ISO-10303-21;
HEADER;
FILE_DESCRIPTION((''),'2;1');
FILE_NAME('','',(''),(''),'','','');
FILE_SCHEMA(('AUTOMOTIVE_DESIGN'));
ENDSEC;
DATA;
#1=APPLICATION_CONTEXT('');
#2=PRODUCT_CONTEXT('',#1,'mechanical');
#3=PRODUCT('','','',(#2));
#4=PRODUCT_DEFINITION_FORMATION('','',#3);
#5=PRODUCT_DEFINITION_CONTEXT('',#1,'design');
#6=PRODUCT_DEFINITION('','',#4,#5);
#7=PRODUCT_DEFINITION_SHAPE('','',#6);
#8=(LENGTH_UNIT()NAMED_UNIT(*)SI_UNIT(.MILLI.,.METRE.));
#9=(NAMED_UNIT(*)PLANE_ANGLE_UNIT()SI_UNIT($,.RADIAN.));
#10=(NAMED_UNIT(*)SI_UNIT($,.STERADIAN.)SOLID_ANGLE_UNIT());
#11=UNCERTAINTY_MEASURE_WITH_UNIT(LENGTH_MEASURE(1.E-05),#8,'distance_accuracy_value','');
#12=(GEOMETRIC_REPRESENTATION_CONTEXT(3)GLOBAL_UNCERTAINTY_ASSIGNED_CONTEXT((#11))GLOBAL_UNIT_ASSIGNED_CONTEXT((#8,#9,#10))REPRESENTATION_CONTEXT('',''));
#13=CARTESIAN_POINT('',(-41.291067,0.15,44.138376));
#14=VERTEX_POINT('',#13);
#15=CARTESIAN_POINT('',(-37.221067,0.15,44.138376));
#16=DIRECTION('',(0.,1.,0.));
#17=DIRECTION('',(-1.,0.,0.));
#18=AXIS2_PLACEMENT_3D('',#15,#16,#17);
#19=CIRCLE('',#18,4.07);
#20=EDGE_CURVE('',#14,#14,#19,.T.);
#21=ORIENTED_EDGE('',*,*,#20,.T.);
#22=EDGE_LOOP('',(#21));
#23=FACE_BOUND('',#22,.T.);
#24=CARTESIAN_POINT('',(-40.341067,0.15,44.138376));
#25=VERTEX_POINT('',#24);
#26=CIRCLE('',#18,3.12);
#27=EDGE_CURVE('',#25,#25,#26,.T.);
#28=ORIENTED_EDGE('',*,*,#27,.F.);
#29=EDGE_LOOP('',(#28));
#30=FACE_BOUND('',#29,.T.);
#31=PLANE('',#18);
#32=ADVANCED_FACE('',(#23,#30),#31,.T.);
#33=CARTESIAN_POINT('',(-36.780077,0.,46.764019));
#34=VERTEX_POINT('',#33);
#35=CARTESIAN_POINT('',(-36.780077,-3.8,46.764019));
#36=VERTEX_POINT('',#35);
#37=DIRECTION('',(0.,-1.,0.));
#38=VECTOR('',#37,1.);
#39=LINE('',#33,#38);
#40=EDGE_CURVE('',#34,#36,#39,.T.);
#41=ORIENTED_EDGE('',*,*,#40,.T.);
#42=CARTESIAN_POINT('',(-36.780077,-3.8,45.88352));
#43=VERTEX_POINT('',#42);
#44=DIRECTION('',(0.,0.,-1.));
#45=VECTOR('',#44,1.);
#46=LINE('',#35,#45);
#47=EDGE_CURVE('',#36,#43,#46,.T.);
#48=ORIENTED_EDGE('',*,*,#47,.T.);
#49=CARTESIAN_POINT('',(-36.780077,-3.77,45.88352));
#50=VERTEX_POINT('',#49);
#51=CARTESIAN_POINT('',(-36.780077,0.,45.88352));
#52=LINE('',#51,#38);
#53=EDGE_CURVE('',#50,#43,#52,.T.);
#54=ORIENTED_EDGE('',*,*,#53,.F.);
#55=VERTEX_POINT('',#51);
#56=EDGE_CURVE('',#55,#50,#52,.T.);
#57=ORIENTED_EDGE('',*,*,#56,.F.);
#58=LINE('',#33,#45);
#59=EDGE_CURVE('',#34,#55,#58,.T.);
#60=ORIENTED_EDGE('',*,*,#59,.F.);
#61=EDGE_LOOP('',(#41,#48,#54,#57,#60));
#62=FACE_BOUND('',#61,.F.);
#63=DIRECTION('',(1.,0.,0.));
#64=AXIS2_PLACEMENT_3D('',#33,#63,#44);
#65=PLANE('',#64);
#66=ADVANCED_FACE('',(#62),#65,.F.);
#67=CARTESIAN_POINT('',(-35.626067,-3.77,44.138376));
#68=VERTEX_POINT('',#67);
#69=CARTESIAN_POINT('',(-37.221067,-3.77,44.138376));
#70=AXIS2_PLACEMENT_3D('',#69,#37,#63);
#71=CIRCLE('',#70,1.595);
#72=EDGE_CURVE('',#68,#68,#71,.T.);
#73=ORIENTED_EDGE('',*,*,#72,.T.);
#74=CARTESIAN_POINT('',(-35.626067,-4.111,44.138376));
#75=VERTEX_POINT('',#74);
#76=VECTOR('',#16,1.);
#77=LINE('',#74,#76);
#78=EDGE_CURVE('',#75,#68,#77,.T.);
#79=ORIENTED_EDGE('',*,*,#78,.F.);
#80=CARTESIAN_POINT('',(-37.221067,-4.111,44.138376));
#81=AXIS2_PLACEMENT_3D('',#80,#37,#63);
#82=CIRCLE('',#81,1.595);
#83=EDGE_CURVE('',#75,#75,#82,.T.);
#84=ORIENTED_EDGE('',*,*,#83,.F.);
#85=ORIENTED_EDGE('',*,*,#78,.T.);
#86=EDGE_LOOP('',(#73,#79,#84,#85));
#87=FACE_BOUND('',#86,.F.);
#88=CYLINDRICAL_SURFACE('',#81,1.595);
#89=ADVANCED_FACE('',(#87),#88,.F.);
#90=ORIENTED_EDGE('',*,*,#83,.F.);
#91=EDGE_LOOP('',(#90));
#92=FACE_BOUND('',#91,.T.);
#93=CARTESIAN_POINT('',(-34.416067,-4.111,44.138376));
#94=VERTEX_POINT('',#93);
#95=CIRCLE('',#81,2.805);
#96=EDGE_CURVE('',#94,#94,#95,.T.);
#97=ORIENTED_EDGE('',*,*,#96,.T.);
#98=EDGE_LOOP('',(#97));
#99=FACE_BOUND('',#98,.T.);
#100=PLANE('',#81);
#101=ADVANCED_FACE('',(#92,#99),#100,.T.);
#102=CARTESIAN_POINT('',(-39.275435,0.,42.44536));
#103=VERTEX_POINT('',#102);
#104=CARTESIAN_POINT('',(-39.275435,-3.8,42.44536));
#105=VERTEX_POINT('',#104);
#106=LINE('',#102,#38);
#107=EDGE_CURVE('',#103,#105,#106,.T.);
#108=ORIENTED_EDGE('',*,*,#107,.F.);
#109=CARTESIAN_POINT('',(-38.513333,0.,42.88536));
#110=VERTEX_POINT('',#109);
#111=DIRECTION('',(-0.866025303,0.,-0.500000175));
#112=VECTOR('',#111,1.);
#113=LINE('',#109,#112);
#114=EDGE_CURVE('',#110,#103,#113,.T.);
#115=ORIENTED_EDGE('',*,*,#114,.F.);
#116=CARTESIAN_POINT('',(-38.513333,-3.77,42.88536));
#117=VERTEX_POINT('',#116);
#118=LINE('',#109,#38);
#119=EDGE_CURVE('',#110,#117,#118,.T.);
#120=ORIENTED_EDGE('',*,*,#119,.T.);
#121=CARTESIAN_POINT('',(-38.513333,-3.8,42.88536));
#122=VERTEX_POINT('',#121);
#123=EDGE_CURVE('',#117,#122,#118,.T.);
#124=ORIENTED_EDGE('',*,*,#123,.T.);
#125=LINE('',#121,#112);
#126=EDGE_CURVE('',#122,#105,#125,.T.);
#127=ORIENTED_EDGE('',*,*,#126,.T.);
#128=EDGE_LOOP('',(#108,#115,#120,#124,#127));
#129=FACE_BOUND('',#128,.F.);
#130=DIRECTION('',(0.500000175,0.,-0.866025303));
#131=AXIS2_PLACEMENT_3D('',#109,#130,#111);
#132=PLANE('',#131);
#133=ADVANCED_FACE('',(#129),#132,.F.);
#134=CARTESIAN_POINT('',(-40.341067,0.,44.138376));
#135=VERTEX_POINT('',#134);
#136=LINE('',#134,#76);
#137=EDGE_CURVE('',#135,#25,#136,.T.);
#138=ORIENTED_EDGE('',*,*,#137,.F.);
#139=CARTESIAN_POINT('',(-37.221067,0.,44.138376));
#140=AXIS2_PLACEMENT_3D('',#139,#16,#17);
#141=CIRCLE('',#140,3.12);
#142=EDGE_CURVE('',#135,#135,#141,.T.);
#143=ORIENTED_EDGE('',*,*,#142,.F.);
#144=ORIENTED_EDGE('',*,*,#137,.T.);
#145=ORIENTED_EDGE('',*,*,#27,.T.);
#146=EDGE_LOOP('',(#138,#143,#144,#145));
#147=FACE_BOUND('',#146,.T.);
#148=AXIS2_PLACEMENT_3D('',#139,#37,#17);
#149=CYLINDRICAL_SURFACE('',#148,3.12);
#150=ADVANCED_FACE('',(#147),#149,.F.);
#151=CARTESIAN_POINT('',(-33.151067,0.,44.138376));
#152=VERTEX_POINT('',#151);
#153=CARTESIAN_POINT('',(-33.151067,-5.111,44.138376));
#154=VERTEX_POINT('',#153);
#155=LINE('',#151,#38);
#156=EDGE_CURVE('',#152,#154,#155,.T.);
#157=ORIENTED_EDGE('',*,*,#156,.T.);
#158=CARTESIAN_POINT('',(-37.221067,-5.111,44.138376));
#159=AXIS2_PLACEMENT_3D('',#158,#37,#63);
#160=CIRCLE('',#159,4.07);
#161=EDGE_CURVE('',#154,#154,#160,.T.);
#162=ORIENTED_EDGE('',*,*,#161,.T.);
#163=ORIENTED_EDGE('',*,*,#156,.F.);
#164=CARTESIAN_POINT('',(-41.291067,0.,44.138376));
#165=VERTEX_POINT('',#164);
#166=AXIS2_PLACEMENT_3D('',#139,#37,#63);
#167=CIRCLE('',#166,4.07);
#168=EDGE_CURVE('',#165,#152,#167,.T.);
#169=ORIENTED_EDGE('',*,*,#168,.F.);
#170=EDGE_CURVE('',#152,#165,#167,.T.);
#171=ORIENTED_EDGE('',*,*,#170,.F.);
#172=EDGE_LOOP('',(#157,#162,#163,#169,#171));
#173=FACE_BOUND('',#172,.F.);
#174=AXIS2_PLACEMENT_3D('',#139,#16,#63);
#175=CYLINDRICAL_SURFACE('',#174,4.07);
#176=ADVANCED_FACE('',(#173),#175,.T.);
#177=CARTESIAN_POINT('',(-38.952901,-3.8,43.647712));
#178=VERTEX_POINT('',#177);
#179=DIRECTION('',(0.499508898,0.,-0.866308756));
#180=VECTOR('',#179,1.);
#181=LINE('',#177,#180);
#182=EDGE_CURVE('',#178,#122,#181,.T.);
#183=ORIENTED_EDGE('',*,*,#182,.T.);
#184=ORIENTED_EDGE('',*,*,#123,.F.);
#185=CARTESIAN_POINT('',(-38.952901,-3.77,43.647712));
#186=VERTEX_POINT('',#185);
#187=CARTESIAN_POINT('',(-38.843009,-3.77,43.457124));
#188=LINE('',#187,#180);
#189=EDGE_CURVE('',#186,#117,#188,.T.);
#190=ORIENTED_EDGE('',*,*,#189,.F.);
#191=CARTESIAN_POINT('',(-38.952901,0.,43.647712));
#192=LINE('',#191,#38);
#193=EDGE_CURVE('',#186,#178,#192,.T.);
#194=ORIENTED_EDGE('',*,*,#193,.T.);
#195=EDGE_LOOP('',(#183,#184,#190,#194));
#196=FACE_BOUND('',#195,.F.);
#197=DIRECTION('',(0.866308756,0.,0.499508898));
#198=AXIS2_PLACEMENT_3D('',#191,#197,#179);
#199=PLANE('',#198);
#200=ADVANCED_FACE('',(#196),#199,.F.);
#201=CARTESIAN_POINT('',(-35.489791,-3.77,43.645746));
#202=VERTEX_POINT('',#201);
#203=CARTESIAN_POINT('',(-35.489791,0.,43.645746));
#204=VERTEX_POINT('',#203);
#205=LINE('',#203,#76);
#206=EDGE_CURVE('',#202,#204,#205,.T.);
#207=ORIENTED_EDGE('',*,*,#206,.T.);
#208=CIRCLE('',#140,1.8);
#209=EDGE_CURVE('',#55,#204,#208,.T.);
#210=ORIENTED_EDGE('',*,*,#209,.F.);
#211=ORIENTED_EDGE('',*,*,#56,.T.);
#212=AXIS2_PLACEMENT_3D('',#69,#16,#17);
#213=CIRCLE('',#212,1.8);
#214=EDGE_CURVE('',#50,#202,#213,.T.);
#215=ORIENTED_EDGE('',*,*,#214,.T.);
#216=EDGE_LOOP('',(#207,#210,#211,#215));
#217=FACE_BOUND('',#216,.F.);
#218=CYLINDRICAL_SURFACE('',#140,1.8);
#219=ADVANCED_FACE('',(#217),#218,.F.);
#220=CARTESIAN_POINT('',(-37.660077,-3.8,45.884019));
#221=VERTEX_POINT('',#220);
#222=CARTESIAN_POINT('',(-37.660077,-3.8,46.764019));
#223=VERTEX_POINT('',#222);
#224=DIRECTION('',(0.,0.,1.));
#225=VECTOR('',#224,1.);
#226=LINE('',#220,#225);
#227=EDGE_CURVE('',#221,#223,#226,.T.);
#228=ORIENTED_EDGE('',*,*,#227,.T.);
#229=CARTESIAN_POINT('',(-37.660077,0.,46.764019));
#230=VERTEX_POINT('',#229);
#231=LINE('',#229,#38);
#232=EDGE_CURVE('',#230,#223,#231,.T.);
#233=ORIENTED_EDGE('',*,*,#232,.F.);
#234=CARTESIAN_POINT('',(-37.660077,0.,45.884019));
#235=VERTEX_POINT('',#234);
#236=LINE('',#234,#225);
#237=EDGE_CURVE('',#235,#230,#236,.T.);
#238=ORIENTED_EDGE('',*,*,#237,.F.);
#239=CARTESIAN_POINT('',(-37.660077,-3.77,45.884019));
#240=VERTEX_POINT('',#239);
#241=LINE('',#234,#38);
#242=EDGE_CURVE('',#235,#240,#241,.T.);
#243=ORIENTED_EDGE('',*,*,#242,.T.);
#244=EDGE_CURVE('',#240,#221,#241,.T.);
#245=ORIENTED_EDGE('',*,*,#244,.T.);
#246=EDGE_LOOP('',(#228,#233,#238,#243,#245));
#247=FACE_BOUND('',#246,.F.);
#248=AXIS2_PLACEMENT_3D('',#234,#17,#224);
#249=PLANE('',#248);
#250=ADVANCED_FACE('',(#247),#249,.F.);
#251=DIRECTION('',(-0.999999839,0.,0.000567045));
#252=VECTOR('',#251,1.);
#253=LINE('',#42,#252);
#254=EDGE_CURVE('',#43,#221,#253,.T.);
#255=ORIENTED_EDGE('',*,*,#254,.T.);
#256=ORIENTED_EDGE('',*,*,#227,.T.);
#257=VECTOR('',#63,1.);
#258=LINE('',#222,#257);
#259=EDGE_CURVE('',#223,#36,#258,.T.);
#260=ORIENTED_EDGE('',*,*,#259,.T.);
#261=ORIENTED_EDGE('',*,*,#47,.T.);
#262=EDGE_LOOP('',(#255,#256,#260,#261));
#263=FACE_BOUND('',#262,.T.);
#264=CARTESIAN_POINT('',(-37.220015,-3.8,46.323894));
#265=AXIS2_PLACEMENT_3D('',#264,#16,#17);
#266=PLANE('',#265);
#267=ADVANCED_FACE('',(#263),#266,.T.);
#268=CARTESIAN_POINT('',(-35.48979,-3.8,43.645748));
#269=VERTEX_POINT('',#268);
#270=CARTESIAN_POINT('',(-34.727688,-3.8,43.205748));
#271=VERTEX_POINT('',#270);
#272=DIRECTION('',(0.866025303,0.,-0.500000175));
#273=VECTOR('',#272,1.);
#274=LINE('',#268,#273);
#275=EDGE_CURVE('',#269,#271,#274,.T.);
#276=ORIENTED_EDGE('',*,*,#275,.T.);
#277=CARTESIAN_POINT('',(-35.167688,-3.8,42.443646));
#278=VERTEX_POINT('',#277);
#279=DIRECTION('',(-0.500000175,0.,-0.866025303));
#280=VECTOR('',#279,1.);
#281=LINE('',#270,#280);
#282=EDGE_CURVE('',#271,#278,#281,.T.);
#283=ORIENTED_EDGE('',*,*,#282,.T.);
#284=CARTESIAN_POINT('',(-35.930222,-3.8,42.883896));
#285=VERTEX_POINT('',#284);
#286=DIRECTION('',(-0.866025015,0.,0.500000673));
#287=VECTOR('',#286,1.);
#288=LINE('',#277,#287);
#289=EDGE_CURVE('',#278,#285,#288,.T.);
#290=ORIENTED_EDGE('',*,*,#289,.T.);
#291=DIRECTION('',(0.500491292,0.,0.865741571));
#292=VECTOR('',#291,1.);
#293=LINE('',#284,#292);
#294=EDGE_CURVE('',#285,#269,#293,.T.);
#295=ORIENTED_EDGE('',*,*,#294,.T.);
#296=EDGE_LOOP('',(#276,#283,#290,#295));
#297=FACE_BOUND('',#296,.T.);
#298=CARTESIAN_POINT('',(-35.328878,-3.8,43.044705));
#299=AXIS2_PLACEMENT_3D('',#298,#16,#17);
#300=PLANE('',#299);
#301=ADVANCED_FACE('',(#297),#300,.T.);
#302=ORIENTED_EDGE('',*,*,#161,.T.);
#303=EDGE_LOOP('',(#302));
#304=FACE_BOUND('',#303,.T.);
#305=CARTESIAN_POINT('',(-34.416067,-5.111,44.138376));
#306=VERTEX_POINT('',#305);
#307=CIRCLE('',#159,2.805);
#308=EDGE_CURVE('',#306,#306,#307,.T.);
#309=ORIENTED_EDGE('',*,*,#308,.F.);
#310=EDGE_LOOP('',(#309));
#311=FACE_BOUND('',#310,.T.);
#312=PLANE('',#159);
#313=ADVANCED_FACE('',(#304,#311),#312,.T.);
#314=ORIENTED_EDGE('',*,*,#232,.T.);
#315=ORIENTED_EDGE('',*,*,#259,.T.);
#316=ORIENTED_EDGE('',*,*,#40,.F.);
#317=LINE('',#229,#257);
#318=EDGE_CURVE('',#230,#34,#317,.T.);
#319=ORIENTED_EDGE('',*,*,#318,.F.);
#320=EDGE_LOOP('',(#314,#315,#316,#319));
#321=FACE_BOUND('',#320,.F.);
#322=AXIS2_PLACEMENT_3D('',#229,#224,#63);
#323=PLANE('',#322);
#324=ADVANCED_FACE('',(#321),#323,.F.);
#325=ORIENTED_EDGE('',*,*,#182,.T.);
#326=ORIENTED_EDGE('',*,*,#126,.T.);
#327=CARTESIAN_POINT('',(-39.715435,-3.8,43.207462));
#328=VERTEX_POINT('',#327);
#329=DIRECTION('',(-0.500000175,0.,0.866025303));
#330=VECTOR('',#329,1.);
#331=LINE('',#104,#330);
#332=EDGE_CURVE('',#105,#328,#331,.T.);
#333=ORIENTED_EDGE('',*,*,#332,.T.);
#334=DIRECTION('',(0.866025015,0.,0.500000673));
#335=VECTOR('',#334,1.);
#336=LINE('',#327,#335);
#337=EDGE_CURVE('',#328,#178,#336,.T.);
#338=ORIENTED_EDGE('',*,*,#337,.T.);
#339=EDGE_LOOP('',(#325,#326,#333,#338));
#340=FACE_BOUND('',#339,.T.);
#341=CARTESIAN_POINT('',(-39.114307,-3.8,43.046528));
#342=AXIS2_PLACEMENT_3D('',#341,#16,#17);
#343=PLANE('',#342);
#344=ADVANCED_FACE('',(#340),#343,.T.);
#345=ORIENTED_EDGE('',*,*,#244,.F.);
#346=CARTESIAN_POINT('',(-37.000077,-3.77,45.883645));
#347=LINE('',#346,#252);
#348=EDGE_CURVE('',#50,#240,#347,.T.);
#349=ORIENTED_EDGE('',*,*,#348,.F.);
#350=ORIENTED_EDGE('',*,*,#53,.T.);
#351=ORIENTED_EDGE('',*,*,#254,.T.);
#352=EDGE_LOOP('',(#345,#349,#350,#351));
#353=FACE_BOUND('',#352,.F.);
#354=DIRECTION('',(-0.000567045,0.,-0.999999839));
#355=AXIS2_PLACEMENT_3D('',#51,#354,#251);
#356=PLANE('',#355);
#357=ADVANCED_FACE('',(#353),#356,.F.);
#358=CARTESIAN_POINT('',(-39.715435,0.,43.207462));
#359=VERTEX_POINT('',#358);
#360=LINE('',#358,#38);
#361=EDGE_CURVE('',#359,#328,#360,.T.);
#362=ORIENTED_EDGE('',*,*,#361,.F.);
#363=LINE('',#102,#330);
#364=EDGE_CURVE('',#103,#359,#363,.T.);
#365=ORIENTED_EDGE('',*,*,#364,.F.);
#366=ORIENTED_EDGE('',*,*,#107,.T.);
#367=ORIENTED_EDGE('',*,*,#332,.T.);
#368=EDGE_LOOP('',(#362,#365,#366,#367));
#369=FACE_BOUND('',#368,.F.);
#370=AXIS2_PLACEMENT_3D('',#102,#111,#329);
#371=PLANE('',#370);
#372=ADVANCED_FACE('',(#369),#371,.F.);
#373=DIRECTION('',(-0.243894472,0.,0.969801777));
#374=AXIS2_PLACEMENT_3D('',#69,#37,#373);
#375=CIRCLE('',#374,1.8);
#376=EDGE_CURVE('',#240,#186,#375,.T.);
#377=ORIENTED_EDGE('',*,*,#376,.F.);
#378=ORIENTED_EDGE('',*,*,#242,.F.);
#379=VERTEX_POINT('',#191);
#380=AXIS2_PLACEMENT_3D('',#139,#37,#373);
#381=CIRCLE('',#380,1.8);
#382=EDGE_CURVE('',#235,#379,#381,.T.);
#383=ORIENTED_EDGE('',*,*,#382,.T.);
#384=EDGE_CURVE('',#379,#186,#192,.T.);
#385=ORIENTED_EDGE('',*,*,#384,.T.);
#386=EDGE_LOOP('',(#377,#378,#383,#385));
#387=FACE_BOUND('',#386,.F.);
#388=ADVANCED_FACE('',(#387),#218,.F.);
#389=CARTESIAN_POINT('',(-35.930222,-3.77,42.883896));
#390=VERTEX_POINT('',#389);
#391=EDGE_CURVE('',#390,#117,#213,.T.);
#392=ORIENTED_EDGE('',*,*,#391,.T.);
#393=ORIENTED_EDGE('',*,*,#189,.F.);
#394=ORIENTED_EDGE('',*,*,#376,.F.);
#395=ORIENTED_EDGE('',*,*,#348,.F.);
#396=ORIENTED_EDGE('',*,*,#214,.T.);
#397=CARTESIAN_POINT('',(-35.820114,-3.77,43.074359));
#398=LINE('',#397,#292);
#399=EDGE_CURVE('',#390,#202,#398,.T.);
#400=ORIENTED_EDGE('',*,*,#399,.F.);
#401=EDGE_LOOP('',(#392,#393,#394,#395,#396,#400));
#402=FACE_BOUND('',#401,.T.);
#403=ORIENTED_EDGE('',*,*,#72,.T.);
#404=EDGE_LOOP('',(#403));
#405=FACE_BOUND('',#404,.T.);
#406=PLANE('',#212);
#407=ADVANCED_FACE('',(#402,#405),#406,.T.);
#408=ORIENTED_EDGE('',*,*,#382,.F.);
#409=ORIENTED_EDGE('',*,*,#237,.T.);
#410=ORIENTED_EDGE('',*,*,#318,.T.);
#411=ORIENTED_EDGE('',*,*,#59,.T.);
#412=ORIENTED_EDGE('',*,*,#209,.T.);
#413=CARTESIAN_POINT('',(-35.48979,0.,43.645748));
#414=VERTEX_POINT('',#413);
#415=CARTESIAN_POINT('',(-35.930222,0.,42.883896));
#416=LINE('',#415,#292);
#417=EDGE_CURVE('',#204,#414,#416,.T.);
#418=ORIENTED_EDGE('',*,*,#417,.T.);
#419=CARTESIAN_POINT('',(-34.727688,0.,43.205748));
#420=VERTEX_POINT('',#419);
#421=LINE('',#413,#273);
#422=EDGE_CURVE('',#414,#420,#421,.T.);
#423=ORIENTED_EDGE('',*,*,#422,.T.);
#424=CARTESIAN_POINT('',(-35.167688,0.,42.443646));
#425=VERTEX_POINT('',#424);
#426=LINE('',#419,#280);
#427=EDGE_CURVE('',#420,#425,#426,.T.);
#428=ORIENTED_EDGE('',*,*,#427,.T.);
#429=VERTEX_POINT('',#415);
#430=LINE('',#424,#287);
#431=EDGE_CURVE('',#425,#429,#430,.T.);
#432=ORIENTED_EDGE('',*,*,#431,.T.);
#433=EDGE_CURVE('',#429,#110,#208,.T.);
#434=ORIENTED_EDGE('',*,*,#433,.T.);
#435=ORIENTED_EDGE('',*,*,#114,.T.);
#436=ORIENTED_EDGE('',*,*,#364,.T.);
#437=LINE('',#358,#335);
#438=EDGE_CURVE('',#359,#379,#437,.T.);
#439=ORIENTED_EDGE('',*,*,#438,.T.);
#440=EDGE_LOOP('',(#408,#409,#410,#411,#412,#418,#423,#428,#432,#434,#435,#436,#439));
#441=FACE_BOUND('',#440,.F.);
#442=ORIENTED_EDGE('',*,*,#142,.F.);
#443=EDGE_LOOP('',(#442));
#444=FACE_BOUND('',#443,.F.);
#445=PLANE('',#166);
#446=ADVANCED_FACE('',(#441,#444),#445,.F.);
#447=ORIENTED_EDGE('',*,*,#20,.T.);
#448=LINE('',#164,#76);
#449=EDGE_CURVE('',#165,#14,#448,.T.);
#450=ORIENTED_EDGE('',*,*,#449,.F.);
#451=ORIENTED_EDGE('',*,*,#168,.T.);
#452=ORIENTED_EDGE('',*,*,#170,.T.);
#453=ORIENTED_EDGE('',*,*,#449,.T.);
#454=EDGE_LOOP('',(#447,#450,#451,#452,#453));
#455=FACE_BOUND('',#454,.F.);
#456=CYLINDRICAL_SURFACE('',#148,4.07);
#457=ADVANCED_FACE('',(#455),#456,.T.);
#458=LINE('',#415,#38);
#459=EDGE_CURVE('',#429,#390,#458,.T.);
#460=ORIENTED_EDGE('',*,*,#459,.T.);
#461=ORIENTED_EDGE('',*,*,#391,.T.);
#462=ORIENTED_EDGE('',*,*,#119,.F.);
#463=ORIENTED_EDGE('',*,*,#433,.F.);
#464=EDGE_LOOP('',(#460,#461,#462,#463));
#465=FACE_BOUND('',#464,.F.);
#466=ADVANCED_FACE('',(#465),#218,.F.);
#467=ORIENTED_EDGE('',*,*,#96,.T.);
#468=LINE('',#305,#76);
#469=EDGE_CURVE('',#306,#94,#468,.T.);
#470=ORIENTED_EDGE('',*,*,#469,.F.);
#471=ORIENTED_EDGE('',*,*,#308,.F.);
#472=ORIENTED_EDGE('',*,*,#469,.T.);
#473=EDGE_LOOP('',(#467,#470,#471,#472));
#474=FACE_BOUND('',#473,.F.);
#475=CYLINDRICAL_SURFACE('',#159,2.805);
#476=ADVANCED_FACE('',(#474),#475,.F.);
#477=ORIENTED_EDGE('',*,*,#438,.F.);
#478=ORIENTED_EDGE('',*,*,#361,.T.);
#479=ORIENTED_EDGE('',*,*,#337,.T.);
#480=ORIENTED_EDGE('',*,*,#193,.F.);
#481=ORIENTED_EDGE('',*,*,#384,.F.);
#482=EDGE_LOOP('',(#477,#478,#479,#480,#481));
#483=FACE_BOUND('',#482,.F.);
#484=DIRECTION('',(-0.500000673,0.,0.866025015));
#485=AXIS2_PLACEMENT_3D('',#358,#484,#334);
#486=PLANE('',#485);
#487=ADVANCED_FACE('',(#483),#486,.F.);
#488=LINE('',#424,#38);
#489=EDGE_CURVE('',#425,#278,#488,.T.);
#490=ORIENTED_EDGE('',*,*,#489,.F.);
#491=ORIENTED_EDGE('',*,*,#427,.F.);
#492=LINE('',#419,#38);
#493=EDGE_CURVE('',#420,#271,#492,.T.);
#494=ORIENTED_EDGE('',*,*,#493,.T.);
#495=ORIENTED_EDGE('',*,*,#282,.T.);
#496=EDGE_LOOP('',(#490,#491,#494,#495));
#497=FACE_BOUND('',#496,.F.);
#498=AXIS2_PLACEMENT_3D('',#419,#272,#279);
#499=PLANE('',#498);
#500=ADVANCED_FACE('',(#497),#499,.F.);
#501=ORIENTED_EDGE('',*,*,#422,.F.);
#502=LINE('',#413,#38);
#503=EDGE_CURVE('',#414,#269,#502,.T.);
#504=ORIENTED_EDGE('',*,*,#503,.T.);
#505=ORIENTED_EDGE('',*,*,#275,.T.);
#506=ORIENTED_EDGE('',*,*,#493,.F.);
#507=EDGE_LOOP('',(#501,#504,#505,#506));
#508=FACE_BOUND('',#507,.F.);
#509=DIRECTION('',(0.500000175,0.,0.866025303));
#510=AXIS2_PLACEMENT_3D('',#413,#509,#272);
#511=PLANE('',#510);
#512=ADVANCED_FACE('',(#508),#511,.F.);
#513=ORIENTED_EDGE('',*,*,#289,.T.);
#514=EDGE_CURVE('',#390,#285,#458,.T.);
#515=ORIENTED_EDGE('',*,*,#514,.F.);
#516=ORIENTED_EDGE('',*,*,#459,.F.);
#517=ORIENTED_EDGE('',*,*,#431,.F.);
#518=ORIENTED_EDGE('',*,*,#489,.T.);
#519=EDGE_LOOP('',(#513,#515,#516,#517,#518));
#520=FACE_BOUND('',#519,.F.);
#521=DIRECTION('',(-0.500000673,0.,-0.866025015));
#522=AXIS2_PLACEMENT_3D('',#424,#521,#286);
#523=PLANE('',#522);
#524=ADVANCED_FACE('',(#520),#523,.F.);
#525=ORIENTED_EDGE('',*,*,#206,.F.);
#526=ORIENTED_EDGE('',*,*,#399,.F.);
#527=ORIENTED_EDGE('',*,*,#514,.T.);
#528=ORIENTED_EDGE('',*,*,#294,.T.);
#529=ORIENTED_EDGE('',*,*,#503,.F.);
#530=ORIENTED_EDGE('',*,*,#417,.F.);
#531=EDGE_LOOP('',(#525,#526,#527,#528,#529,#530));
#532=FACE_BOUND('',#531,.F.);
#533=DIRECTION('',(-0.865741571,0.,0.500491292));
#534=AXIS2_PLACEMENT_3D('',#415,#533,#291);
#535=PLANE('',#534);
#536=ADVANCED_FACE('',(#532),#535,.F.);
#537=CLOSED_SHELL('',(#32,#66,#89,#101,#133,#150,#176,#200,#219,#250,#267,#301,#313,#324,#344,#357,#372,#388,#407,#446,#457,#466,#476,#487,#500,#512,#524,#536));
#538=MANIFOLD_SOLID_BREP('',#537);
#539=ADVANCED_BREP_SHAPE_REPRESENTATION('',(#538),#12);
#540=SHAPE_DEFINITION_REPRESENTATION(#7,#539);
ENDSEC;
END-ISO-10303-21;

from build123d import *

# Parameters (mm, degrees)
F0_R      = 4.07
F1_DEPTH  = 5.111
F2_R      = 2.805
F3_DEPTH  = 1
F4_R      = 1.8
F5_DEPTH  = 3.77
F6_R      = 1.595
F7_DEPTH  = 4.112
F9_DEPTH  = 3.8
F10_R     = 4.07
F10_R_2   = 3.12
F11_DEPTH = 0.15


with BuildPart() as f1:
    # F0 (on Front) → F1 (new body)
    with BuildSketch(Plane.XZ):
        with Locations((-37.221067, 44.138376)):
            Circle(F0_R)
    extrude(amount=F1_DEPTH)

    # F2 (on face) → F3 (cut)
    with BuildSketch(Plane.XZ.offset(5.111)):
        with Locations((-37.221067, 44.138376)):
            Circle(F2_R)
    extrude(amount=-F3_DEPTH, mode=Mode.SUBTRACT)

    # F4 (on face) → F5 (cut)
    with BuildSketch(Plane(origin=(0, 0, 0), x_dir=(-1, 0, 0), z_dir=(0, 1, 0))):
        with Locations((37.221067, 44.138376)):
            Circle(F4_R)
    extrude(amount=-F5_DEPTH, mode=Mode.SUBTRACT)

    # F6 (on face) → F7 (cut, through all)
    with BuildSketch(Plane.XZ.offset(4.111)):
        with Locations((-37.221067, 44.138376)):
            Circle(F6_R)
    extrude(amount=-F7_DEPTH, mode=Mode.SUBTRACT)

    # F8 (on face) → F9 (cut)
    with BuildSketch(Plane(origin=(0, 0, 0), x_dir=(-1, 0, 0), z_dir=(0, 1, 0))):
        Polygon((36.780077, 46.764019), (36.780077, 45.88352), (37.660077, 45.884019), (37.660077, 46.764019), align=None)
        Polygon((34.727688, 43.205748), (35.167688, 42.443646), (35.930222, 42.883896), (35.48979, 43.645748), align=None)
        Polygon((39.275435, 42.44536), (39.715435, 43.207462), (38.952901, 43.647712), (38.513333, 42.88536), align=None)
    extrude(amount=-F9_DEPTH, mode=Mode.SUBTRACT)

    # F10 (on face) → F11 (join)
    with BuildSketch(Plane(origin=(0, 0, 0), x_dir=(-1, 0, 0), z_dir=(0, 1, 0))):
        with Locations((37.221067, 44.138376)):
            Circle(F10_R)
        with Locations((37.221067, 44.138376)):
            Circle(F10_R_2, mode=Mode.SUBTRACT)
    extrude(amount=F11_DEPTH)


solid = f1.part
